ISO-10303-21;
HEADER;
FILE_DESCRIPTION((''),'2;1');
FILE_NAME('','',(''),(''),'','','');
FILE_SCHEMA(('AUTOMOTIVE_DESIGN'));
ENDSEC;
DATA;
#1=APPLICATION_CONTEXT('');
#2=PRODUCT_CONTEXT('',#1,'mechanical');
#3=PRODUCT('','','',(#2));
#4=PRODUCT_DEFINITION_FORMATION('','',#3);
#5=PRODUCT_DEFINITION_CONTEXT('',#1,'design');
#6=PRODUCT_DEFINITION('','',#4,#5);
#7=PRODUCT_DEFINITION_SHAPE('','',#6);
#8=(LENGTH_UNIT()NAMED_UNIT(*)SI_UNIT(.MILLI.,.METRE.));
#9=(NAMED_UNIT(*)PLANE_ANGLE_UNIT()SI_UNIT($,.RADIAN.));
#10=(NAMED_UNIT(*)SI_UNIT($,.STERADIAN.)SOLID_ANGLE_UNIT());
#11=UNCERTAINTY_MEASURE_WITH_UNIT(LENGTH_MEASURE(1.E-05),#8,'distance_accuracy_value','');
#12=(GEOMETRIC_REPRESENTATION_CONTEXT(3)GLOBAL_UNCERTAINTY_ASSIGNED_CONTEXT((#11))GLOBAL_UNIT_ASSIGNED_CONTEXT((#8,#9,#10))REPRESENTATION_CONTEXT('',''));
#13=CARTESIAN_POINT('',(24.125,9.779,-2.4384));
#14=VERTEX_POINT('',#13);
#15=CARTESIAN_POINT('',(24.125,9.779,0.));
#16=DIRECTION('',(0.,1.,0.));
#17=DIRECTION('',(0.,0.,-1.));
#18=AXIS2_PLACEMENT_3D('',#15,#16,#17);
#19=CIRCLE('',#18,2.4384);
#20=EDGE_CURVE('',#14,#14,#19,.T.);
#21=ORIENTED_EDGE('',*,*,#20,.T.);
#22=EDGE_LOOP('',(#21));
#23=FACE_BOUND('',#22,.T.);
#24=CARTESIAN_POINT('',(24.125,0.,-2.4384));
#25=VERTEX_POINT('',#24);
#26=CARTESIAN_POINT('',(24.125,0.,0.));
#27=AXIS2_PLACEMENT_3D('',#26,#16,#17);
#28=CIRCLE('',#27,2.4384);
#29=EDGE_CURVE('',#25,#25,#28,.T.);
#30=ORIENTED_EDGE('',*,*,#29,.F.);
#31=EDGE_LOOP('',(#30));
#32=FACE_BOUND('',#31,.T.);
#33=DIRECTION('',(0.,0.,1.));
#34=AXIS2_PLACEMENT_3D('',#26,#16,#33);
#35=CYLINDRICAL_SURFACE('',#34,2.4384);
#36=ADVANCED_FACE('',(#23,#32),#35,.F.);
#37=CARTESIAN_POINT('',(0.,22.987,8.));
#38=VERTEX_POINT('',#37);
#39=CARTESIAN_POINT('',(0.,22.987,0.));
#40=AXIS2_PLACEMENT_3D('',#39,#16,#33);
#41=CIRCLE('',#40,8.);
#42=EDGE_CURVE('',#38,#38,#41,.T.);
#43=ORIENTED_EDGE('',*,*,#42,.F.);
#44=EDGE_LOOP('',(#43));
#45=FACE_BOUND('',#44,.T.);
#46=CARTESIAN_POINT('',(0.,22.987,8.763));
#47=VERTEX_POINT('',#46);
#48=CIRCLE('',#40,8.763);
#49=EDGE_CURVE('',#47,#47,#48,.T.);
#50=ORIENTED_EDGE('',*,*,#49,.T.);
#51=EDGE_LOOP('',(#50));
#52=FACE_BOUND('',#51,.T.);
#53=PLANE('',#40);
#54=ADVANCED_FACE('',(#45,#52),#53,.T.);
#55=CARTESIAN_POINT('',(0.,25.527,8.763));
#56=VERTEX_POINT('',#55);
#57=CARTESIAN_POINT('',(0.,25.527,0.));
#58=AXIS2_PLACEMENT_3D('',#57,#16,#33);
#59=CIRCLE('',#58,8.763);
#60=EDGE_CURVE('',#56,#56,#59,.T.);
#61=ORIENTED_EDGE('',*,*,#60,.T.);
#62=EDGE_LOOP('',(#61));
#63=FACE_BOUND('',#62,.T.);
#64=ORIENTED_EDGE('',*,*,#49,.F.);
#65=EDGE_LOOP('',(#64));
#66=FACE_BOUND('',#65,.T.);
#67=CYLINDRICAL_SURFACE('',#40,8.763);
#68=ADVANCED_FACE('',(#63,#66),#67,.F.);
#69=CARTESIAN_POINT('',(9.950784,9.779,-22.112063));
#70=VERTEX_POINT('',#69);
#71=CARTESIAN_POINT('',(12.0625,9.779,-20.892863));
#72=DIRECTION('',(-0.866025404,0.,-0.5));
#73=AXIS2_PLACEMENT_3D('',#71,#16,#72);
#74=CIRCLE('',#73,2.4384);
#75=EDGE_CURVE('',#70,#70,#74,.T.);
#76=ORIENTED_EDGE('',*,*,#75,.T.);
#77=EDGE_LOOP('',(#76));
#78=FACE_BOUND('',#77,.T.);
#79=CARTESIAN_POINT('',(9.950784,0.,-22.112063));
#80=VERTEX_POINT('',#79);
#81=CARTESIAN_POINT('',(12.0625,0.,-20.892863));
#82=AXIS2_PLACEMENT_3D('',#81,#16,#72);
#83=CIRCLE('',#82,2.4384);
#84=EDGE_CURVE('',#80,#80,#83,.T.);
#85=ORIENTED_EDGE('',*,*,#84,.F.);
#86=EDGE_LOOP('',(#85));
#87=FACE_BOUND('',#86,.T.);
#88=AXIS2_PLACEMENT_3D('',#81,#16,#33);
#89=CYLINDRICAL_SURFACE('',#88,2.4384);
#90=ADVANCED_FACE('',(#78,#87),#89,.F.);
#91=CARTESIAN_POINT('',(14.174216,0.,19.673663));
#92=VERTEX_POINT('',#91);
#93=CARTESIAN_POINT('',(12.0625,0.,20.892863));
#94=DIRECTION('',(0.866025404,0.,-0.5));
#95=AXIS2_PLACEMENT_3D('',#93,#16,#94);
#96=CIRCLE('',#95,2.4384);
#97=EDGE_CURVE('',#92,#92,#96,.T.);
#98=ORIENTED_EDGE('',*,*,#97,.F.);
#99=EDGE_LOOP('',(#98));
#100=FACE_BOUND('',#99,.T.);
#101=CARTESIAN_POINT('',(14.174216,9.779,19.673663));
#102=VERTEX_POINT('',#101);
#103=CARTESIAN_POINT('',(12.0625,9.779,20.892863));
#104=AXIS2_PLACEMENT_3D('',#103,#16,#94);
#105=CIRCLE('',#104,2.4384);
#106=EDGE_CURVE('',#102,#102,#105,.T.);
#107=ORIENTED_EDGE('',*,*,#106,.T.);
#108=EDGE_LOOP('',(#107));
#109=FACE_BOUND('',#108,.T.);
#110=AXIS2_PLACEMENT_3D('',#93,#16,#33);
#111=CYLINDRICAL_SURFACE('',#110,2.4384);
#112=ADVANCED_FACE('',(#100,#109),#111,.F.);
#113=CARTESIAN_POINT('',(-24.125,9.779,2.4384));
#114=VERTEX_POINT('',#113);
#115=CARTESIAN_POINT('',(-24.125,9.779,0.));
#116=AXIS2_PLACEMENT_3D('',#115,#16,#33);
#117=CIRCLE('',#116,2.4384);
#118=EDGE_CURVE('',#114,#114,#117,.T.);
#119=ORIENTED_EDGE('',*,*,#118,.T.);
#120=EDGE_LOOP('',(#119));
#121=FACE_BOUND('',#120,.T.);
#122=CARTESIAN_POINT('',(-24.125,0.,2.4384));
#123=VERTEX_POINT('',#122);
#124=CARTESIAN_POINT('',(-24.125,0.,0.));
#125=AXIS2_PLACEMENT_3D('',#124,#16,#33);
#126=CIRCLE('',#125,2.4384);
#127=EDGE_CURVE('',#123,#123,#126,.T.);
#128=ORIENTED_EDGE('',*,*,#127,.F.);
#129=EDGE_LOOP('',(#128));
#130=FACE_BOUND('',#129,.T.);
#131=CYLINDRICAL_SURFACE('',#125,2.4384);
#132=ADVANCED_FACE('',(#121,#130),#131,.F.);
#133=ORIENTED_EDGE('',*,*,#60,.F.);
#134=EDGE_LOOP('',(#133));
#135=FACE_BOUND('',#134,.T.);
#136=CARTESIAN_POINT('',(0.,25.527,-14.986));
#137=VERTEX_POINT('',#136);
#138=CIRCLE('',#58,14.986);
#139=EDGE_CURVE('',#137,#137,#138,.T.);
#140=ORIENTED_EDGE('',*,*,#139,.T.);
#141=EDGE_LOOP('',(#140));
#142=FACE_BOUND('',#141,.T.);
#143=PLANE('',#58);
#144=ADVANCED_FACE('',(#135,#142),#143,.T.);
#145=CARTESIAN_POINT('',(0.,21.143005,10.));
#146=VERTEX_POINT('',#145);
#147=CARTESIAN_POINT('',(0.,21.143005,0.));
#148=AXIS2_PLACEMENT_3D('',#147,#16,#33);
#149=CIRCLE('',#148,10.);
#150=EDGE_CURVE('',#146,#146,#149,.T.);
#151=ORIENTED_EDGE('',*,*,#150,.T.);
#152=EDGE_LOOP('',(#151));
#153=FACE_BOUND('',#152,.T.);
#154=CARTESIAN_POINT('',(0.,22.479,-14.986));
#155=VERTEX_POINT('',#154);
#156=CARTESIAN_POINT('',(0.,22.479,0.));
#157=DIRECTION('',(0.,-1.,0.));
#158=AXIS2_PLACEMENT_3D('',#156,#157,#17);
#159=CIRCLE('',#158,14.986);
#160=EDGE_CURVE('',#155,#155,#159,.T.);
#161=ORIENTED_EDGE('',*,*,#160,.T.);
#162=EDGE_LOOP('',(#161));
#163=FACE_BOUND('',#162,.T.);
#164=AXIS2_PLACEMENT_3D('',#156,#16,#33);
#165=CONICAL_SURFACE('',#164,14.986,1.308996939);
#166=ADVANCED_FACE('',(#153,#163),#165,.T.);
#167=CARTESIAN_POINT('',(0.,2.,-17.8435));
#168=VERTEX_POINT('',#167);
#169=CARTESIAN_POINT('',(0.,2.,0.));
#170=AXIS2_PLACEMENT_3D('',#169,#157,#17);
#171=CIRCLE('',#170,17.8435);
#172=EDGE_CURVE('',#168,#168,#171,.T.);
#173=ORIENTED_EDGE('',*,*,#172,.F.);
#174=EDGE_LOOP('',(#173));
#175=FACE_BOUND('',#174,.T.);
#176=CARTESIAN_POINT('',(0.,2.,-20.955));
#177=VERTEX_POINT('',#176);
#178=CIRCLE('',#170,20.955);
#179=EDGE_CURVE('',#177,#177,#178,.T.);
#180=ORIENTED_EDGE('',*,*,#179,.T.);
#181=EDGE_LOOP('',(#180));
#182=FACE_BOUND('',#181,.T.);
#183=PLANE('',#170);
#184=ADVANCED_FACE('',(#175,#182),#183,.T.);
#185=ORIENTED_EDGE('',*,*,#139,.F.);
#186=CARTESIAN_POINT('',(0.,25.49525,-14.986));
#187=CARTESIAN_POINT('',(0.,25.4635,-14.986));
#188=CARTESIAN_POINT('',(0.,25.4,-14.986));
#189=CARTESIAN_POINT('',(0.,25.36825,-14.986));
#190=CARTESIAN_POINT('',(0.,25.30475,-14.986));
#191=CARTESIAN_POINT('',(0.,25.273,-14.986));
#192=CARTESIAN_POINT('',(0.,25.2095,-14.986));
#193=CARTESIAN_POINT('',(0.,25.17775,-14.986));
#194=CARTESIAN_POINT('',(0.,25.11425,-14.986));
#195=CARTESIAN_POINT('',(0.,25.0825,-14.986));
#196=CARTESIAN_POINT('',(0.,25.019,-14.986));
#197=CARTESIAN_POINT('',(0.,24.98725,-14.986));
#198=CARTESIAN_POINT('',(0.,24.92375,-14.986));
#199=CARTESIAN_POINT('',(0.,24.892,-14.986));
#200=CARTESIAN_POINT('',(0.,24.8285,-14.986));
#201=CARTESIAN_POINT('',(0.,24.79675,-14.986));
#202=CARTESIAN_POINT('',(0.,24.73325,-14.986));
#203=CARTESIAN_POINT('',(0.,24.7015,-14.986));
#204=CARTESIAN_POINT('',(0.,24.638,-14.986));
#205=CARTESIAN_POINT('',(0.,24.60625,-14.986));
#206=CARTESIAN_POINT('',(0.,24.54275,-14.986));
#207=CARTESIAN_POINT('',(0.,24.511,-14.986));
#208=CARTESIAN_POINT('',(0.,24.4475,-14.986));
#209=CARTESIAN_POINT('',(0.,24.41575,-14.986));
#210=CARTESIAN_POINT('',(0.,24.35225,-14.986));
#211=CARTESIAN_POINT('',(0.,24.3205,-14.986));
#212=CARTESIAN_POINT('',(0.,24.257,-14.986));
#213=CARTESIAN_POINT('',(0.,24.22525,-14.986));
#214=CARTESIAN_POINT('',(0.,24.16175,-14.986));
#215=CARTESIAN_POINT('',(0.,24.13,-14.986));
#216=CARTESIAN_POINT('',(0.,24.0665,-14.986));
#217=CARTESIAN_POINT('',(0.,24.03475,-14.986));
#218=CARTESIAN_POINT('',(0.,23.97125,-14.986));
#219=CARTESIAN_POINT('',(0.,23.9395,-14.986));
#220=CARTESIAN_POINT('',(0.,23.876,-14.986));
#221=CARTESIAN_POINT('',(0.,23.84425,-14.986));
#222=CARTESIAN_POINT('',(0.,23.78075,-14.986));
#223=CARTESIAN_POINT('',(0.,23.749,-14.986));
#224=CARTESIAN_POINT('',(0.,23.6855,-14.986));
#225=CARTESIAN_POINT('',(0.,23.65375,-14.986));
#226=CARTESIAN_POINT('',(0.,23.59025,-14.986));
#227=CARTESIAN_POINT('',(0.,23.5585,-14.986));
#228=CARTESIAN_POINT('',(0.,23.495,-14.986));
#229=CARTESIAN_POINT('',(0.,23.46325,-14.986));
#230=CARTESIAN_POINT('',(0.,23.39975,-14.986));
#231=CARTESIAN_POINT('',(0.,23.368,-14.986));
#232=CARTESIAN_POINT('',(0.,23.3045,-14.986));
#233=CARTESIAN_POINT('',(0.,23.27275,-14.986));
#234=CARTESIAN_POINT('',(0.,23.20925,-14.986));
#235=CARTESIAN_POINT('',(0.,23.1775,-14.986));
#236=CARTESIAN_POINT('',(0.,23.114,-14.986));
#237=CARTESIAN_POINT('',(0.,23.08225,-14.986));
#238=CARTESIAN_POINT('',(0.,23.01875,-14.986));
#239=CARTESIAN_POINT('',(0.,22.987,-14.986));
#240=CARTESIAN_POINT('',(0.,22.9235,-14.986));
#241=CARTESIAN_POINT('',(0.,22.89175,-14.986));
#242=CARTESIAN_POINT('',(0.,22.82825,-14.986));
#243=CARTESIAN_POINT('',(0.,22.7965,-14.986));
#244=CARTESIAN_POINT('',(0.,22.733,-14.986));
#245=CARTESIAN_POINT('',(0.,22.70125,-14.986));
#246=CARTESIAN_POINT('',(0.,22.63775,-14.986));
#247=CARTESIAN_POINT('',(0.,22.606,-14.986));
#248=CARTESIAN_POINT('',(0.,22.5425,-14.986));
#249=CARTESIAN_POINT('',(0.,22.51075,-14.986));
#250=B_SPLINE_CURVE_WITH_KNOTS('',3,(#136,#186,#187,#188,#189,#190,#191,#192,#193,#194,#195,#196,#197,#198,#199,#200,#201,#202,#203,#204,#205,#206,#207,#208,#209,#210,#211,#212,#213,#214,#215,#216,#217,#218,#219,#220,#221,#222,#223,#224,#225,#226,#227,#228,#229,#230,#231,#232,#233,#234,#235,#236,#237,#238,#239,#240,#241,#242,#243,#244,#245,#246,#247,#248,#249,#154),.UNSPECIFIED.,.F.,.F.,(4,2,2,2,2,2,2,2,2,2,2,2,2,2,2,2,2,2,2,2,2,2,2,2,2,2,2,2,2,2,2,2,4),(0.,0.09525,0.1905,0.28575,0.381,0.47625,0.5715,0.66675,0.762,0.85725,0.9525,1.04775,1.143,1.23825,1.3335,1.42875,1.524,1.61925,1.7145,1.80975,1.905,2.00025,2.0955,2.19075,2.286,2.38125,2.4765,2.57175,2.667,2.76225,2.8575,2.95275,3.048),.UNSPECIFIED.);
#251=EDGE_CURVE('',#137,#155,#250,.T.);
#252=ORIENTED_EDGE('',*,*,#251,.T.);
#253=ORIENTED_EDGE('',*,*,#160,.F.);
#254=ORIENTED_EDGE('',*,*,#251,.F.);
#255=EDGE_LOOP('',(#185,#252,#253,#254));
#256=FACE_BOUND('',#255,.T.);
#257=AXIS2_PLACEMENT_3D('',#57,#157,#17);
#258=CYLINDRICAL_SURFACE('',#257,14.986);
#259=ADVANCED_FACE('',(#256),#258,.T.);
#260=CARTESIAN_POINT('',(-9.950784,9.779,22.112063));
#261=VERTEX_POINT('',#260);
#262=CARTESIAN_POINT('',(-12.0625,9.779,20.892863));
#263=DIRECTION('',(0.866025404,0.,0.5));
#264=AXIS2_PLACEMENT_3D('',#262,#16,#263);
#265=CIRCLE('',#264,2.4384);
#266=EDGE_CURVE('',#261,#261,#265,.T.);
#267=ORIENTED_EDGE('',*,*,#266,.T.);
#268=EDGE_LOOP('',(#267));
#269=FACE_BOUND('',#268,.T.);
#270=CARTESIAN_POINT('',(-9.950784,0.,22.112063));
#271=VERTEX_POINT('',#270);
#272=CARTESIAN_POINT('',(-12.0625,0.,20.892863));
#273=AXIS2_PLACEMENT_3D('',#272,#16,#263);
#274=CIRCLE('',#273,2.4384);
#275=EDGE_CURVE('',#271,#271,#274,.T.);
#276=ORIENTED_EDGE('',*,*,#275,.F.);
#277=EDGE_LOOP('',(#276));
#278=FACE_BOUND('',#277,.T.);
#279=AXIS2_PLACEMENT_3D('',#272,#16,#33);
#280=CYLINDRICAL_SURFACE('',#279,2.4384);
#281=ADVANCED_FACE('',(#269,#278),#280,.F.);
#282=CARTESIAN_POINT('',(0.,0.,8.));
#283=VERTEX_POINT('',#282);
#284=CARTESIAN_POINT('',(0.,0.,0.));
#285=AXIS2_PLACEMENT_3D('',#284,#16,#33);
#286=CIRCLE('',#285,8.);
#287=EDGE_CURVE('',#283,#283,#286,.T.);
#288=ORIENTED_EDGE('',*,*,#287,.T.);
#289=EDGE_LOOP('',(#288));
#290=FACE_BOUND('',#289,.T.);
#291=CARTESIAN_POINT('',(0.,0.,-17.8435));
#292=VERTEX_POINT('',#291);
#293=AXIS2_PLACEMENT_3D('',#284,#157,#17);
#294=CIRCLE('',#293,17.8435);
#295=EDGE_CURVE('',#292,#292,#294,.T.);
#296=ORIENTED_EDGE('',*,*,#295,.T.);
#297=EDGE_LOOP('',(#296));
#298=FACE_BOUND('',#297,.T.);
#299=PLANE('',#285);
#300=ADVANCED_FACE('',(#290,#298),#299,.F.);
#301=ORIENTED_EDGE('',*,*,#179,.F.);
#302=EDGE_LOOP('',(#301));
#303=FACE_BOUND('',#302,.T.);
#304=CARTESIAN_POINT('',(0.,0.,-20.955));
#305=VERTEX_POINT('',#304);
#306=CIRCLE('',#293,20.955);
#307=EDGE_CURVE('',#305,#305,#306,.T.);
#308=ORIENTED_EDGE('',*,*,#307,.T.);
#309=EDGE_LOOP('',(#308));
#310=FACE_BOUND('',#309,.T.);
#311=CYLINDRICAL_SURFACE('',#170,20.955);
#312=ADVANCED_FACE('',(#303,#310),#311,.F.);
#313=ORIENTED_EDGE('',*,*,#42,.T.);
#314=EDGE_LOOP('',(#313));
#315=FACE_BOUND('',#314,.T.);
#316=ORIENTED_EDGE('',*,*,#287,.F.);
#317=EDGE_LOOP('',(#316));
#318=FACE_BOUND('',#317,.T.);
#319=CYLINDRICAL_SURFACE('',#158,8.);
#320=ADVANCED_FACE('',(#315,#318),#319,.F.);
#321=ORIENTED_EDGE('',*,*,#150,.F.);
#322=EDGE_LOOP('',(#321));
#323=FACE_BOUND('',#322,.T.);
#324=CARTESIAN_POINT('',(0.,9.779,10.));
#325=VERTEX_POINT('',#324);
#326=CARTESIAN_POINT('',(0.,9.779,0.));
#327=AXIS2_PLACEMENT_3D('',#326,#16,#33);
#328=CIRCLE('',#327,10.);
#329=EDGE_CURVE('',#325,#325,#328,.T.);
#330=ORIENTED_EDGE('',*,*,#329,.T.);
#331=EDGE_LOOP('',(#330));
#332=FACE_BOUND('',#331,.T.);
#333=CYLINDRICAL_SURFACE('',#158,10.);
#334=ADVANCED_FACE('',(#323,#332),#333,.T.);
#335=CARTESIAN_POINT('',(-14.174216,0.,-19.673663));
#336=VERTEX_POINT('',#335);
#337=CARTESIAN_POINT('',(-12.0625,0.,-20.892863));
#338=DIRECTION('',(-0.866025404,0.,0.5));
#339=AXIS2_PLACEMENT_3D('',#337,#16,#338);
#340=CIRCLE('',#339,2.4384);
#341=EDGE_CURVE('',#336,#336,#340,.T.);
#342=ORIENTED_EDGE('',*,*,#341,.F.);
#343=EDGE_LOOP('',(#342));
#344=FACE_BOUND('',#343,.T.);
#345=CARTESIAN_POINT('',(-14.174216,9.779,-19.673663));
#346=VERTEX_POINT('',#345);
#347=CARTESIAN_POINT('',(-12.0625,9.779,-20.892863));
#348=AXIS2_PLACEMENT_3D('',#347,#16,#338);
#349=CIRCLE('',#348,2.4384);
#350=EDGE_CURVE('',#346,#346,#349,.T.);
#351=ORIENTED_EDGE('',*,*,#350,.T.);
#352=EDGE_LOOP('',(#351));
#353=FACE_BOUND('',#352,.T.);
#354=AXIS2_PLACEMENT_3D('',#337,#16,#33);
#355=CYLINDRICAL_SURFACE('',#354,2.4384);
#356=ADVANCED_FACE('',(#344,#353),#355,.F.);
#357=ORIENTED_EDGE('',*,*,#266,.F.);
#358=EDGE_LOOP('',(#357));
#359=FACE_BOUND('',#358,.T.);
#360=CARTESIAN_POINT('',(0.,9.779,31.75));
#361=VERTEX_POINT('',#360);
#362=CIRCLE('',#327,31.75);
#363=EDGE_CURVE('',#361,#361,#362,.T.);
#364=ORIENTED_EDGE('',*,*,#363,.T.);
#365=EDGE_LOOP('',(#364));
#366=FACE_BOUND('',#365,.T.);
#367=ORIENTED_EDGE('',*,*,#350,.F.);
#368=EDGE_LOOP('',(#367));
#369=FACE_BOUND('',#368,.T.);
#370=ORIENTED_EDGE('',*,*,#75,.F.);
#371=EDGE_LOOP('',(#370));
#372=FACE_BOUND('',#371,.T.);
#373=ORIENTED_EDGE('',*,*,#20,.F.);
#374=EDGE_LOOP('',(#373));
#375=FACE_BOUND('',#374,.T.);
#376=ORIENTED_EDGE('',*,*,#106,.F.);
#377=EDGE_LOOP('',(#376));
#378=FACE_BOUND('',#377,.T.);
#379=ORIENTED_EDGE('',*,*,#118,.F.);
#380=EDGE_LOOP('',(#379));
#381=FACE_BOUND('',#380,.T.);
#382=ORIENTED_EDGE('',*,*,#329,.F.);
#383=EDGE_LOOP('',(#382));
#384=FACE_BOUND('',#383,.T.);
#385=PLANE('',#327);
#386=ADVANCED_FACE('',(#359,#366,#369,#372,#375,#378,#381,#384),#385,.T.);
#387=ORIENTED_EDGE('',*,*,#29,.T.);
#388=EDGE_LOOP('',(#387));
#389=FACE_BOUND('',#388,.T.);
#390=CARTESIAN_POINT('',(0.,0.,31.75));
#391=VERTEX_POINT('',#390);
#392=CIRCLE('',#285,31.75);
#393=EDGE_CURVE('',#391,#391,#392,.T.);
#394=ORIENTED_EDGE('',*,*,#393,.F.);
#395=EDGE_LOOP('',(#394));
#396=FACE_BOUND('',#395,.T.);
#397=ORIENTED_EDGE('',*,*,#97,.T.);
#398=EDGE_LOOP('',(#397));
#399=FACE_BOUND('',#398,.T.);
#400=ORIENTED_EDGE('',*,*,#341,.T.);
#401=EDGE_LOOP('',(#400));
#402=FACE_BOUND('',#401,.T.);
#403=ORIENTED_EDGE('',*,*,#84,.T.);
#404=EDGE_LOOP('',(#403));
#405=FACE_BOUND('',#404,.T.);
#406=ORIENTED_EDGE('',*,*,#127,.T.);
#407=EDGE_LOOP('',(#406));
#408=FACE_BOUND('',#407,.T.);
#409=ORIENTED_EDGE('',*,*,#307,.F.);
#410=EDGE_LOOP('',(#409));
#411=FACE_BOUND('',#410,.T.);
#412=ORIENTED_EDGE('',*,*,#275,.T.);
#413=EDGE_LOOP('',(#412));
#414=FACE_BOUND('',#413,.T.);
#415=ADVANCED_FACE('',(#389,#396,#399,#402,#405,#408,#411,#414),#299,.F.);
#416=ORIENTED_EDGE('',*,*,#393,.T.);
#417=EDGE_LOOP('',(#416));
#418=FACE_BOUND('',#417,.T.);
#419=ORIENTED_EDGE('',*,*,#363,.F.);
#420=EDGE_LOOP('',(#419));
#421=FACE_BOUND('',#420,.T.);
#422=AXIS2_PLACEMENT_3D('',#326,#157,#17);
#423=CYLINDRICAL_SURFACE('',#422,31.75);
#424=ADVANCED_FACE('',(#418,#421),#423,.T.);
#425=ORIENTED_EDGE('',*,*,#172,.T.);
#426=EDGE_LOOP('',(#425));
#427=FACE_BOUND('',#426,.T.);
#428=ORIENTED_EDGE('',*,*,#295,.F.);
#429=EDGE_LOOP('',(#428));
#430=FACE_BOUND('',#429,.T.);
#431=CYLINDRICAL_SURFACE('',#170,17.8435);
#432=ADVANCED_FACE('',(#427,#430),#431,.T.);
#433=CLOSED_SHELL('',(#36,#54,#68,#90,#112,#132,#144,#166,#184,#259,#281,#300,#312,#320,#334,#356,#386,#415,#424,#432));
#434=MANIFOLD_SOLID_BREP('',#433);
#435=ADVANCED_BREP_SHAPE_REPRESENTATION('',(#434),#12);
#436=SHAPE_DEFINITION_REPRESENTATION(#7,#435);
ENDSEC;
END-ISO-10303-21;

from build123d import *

# Parameters (mm, degrees)
SKETCH1_R           = 31.75
BOSS_EXTRUDE1_DEPTH = 9.779
SKETCH2_R           = 2.4384
CUT_EXTRUDE1_DEPTH  = 46.95382292
CIRPATTERN1_COUNT   = 6
SKETCH3_R           = 20.955
SKETCH3_R_2         = 17.8435
CUT_EXTRUDE2_DEPTH  = 2
SKETCH4_R           = 10
SKETCH4_R_2         = 8
BOSS_EXTRUDE2_DEPTH = 12.7
SKETCH5_R           = 14.986
BOSS_EXTRUDE3_DEPTH = 3.048
SKETCH6_R           = 8.763
CUT_EXTRUDE3_DEPTH  = 2.54
SKETCH8_R           = 8
CUT_EXTRUDE4_DEPTH  = 51.443306484


with BuildPart() as part:
    # Sketch1 → Boss-Extrude1 (new body)
    with BuildSketch(Plane(origin=(0, 0, 0), x_dir=(1, 0, 0), z_dir=(0, 1, 0))):
        with Locations(Location((0, 0, 0), (0, 0, 270))):
            Circle(SKETCH1_R)
    extrude(amount=BOSS_EXTRUDE1_DEPTH)

    # Sketch2 → Cut-Extrude1 (cut, through all)
    with BuildSketch(Plane(origin=(0, 9.779, 0), x_dir=(1, 0, 0), z_dir=(0, 1, 0))):
        with Locations(Location((-24.125, 0, 0), (0, 0, 270))):
            Circle(SKETCH2_R)
    cut_extrude1 = extrude(amount=-CUT_EXTRUDE1_DEPTH, mode=Mode.SUBTRACT)

    # CirPattern1: Cut-Extrude1 ×6 about axis
    cirpattern1_axis = Axis((0, 0, 0), (0, 1, 0))
    for i in range(1, CIRPATTERN1_COUNT):
        add(cut_extrude1.rotate(cirpattern1_axis, i * 360 / CIRPATTERN1_COUNT), mode=Mode.SUBTRACT)

    # Sketch3 → Cut-Extrude2 (cut)
    with BuildSketch(Plane.XZ):
        with Locations(Location((0, 0, 0), (0, 0, 270))):
            Circle(SKETCH3_R)
        with Locations(Location((0, 0, 0), (0, 0, 270))):
            Circle(SKETCH3_R_2, mode=Mode.SUBTRACT)
    extrude(amount=-CUT_EXTRUDE2_DEPTH, mode=Mode.SUBTRACT)

    # Sketch4 → Boss-Extrude2 (add)
    with BuildSketch(Plane(origin=(0, 9.779, 0), x_dir=(1, 0, 0), z_dir=(0, 1, 0))):
        with Locations(Location((0, 0, 0), (0, 0, 270))):
            Circle(SKETCH4_R)
        with Locations(Location((0, 0, 0), (0, 0, 270))):
            Circle(SKETCH4_R_2, mode=Mode.SUBTRACT)
    extrude(amount=BOSS_EXTRUDE2_DEPTH)

    # Sketch5 → Boss-Extrude3 (add)
    with BuildSketch(Plane(origin=(0, 22.479, 0), x_dir=(1, 0, 0), z_dir=(0, 1, 0))):
        with Locations(Location((0, 0, 0), (0, 0, 90))):
            Circle(SKETCH5_R)
    extrude(amount=BOSS_EXTRUDE3_DEPTH)

    # Sketch6 → Cut-Extrude3 (cut)
    with BuildSketch(Plane(origin=(0, 25.527, 0), x_dir=(1, 0, 0), z_dir=(0, 1, 0))):
        with Locations(Location((0, 0, 0), (0, 0, 270))):
            Circle(SKETCH6_R)
    extrude(amount=-CUT_EXTRUDE3_DEPTH, mode=Mode.SUBTRACT)

    # Sketch7 → Revolve1 (revolve)
    with BuildSketch(Plane.XY, mode=Mode.PRIVATE) as revolve1_sk:
        Polygon((-14.986, 22.479), (-10, 22.479), (-10, 21.143005327), align=None)
    revolve(revolve1_sk.sketch.rotate(Axis((0, 0, 0), (0, 1, 0)), 90), axis=Axis((0, 0, 0), (0, 1, 0)))

    # Sketch8 → Cut-Extrude4 (cut, through all)
    with BuildSketch(Plane(origin=(0, 22.987, 0), x_dir=(1, 0, 0), z_dir=(0, 1, 0))):
        with Locations(Location((0, 0, 0), (0, 0, 270))):
            Circle(SKETCH8_R)
    extrude(amount=-CUT_EXTRUDE4_DEPTH, mode=Mode.SUBTRACT)


solid = part.part
